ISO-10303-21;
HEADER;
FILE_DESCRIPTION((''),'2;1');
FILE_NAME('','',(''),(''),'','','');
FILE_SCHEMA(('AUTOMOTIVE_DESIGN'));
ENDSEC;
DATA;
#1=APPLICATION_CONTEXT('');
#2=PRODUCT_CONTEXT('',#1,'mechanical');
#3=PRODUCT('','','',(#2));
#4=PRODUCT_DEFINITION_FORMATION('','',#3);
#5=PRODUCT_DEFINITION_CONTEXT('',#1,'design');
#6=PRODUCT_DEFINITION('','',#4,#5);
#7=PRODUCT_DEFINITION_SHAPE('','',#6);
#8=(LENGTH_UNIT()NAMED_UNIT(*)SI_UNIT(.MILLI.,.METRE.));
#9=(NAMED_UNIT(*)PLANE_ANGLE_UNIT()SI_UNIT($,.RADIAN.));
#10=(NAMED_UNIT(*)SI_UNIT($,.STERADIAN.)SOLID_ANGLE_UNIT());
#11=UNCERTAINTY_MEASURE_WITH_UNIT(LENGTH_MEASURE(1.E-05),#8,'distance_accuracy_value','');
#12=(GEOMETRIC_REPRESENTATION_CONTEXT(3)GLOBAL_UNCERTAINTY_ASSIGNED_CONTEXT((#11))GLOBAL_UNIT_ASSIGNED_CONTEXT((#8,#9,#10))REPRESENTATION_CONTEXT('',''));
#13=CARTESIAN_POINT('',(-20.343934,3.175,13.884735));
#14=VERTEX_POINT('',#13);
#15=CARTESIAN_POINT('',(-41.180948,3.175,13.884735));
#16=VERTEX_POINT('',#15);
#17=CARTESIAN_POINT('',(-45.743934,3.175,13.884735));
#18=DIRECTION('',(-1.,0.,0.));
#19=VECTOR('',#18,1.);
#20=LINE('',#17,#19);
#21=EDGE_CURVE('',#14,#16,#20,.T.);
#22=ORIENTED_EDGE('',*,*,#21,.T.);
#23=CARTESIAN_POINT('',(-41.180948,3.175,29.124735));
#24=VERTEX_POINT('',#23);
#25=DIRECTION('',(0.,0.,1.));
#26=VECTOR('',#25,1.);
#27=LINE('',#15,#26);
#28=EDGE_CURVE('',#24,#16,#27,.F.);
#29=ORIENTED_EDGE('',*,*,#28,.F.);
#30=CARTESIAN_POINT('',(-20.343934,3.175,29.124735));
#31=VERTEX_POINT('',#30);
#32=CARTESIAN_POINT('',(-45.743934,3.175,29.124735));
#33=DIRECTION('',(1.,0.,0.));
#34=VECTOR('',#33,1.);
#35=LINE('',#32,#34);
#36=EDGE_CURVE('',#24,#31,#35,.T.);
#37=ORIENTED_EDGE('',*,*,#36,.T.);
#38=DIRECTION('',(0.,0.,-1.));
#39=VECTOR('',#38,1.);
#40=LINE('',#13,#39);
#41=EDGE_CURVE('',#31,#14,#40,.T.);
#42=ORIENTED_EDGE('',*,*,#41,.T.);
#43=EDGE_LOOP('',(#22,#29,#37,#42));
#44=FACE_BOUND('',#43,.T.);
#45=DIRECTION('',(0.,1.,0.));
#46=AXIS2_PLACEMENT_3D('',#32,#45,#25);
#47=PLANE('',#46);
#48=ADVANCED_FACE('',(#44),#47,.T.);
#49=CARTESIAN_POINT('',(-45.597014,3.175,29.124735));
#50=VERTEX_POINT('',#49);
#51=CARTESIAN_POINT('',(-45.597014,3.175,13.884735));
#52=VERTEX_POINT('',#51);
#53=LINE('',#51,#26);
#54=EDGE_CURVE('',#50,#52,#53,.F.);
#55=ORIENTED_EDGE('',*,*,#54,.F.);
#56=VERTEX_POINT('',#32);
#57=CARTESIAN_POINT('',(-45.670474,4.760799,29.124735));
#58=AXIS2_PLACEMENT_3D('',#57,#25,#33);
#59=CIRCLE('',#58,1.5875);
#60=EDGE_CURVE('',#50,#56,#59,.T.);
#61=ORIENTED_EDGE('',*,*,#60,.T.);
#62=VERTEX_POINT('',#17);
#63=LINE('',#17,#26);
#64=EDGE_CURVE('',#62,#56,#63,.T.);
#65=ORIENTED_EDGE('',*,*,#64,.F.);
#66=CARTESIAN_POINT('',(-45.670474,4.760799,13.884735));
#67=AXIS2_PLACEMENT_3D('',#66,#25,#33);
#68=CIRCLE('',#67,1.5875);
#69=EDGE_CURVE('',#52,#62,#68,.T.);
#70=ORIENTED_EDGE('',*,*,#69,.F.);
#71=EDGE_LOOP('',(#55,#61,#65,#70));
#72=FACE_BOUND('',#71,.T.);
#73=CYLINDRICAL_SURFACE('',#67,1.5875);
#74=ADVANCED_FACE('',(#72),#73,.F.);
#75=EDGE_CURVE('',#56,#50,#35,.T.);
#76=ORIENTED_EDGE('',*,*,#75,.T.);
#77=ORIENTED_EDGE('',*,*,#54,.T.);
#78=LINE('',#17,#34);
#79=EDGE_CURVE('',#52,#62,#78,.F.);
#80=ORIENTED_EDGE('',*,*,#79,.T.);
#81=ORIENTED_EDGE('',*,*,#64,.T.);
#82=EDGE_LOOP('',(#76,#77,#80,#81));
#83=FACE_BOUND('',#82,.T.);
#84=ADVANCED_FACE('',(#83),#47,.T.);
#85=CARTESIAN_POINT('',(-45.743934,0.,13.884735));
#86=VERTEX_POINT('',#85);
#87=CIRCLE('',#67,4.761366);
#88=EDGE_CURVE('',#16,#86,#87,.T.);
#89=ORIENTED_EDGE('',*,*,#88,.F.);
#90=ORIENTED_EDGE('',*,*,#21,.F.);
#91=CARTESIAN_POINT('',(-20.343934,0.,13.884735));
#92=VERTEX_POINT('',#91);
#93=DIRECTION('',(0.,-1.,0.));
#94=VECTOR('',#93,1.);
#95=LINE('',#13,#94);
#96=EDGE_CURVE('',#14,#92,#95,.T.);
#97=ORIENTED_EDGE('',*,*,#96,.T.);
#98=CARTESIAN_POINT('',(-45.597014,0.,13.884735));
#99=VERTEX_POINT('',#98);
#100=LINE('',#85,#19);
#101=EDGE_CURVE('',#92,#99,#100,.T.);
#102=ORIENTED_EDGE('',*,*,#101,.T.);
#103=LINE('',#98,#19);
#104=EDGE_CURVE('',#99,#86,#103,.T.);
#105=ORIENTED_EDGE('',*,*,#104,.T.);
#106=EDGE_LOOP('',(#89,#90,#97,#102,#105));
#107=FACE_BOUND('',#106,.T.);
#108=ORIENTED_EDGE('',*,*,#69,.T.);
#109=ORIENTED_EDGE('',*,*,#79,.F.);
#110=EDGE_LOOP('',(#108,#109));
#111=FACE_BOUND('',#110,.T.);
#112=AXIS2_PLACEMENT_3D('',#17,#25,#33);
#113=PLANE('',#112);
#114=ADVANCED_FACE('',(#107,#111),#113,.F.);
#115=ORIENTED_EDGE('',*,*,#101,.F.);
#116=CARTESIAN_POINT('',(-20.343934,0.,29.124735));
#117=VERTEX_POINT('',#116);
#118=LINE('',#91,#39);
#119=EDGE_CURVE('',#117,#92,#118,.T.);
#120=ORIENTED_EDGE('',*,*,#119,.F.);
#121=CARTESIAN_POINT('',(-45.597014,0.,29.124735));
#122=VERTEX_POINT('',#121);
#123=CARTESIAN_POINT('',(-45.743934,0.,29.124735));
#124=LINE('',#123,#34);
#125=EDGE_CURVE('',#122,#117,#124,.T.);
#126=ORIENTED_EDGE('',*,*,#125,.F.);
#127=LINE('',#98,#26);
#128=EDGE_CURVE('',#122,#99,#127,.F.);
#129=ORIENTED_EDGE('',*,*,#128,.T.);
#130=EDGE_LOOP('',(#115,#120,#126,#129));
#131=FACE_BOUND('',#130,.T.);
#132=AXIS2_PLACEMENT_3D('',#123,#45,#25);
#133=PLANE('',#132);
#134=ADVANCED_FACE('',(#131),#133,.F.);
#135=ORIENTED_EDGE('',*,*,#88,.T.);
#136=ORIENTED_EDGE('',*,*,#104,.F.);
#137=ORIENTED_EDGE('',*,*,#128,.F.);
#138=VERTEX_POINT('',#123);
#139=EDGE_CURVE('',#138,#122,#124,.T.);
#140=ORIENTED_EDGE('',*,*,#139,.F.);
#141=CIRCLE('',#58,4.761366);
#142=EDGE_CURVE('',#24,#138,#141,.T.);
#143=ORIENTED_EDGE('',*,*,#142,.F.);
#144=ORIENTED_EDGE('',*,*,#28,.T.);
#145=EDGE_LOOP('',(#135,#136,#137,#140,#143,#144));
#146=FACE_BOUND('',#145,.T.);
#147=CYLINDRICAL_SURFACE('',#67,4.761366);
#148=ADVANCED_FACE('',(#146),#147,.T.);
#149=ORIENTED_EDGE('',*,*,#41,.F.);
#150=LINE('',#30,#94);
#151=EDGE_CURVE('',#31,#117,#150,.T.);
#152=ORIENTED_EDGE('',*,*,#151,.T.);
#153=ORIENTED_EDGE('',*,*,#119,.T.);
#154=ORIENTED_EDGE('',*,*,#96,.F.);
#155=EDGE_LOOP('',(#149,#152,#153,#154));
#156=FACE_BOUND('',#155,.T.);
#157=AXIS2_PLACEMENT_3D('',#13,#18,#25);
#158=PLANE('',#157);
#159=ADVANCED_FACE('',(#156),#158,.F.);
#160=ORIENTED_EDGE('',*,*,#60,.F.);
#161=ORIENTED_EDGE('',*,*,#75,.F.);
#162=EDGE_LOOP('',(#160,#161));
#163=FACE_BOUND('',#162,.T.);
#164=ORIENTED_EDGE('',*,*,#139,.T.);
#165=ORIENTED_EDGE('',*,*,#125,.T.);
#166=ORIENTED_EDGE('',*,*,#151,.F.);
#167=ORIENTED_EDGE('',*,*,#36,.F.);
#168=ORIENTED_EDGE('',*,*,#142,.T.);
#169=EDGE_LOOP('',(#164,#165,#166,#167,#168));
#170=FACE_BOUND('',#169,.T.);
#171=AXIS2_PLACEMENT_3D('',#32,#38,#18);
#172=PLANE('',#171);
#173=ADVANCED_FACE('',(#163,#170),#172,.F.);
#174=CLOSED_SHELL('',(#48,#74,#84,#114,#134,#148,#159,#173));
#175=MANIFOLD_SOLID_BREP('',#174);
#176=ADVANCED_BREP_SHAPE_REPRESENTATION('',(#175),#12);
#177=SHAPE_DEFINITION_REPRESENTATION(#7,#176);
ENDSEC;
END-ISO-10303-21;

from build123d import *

# Parameters (mm, degrees)
SKETCH1_W           = 25.4
SKETCH1_H           = 15.24
BOSS_EXTRUDE1_DEPTH = 3.175
SKETCH3_R           = 4.761366165
SKETCH3_R_2         = 1.5875
BOSS_EXTRUDE2_DEPTH = 15.24


with BuildPart() as part:
    # Sketch1 → Boss-Extrude1 (new body)
    with BuildSketch(Plane(origin=(0, 0, 0), x_dir=(1, 0, 0), z_dir=(0, 1, 0))):
        with Locations((-33.04393404, -21.504734982)):
            Rectangle(SKETCH1_W, SKETCH1_H)
    extrude(amount=BOSS_EXTRUDE1_DEPTH)

    # Sketch3 → Boss-Extrude2 (add)
    with BuildSketch(Plane.XY.offset(29.124734982)):
        with Locations((-45.670474152, 4.76079945)):
            Circle(SKETCH3_R)
        with Locations((-45.670474152, 4.76079945)):
            Circle(SKETCH3_R_2, mode=Mode.SUBTRACT)
    extrude(amount=-BOSS_EXTRUDE2_DEPTH)


solid = part.part
